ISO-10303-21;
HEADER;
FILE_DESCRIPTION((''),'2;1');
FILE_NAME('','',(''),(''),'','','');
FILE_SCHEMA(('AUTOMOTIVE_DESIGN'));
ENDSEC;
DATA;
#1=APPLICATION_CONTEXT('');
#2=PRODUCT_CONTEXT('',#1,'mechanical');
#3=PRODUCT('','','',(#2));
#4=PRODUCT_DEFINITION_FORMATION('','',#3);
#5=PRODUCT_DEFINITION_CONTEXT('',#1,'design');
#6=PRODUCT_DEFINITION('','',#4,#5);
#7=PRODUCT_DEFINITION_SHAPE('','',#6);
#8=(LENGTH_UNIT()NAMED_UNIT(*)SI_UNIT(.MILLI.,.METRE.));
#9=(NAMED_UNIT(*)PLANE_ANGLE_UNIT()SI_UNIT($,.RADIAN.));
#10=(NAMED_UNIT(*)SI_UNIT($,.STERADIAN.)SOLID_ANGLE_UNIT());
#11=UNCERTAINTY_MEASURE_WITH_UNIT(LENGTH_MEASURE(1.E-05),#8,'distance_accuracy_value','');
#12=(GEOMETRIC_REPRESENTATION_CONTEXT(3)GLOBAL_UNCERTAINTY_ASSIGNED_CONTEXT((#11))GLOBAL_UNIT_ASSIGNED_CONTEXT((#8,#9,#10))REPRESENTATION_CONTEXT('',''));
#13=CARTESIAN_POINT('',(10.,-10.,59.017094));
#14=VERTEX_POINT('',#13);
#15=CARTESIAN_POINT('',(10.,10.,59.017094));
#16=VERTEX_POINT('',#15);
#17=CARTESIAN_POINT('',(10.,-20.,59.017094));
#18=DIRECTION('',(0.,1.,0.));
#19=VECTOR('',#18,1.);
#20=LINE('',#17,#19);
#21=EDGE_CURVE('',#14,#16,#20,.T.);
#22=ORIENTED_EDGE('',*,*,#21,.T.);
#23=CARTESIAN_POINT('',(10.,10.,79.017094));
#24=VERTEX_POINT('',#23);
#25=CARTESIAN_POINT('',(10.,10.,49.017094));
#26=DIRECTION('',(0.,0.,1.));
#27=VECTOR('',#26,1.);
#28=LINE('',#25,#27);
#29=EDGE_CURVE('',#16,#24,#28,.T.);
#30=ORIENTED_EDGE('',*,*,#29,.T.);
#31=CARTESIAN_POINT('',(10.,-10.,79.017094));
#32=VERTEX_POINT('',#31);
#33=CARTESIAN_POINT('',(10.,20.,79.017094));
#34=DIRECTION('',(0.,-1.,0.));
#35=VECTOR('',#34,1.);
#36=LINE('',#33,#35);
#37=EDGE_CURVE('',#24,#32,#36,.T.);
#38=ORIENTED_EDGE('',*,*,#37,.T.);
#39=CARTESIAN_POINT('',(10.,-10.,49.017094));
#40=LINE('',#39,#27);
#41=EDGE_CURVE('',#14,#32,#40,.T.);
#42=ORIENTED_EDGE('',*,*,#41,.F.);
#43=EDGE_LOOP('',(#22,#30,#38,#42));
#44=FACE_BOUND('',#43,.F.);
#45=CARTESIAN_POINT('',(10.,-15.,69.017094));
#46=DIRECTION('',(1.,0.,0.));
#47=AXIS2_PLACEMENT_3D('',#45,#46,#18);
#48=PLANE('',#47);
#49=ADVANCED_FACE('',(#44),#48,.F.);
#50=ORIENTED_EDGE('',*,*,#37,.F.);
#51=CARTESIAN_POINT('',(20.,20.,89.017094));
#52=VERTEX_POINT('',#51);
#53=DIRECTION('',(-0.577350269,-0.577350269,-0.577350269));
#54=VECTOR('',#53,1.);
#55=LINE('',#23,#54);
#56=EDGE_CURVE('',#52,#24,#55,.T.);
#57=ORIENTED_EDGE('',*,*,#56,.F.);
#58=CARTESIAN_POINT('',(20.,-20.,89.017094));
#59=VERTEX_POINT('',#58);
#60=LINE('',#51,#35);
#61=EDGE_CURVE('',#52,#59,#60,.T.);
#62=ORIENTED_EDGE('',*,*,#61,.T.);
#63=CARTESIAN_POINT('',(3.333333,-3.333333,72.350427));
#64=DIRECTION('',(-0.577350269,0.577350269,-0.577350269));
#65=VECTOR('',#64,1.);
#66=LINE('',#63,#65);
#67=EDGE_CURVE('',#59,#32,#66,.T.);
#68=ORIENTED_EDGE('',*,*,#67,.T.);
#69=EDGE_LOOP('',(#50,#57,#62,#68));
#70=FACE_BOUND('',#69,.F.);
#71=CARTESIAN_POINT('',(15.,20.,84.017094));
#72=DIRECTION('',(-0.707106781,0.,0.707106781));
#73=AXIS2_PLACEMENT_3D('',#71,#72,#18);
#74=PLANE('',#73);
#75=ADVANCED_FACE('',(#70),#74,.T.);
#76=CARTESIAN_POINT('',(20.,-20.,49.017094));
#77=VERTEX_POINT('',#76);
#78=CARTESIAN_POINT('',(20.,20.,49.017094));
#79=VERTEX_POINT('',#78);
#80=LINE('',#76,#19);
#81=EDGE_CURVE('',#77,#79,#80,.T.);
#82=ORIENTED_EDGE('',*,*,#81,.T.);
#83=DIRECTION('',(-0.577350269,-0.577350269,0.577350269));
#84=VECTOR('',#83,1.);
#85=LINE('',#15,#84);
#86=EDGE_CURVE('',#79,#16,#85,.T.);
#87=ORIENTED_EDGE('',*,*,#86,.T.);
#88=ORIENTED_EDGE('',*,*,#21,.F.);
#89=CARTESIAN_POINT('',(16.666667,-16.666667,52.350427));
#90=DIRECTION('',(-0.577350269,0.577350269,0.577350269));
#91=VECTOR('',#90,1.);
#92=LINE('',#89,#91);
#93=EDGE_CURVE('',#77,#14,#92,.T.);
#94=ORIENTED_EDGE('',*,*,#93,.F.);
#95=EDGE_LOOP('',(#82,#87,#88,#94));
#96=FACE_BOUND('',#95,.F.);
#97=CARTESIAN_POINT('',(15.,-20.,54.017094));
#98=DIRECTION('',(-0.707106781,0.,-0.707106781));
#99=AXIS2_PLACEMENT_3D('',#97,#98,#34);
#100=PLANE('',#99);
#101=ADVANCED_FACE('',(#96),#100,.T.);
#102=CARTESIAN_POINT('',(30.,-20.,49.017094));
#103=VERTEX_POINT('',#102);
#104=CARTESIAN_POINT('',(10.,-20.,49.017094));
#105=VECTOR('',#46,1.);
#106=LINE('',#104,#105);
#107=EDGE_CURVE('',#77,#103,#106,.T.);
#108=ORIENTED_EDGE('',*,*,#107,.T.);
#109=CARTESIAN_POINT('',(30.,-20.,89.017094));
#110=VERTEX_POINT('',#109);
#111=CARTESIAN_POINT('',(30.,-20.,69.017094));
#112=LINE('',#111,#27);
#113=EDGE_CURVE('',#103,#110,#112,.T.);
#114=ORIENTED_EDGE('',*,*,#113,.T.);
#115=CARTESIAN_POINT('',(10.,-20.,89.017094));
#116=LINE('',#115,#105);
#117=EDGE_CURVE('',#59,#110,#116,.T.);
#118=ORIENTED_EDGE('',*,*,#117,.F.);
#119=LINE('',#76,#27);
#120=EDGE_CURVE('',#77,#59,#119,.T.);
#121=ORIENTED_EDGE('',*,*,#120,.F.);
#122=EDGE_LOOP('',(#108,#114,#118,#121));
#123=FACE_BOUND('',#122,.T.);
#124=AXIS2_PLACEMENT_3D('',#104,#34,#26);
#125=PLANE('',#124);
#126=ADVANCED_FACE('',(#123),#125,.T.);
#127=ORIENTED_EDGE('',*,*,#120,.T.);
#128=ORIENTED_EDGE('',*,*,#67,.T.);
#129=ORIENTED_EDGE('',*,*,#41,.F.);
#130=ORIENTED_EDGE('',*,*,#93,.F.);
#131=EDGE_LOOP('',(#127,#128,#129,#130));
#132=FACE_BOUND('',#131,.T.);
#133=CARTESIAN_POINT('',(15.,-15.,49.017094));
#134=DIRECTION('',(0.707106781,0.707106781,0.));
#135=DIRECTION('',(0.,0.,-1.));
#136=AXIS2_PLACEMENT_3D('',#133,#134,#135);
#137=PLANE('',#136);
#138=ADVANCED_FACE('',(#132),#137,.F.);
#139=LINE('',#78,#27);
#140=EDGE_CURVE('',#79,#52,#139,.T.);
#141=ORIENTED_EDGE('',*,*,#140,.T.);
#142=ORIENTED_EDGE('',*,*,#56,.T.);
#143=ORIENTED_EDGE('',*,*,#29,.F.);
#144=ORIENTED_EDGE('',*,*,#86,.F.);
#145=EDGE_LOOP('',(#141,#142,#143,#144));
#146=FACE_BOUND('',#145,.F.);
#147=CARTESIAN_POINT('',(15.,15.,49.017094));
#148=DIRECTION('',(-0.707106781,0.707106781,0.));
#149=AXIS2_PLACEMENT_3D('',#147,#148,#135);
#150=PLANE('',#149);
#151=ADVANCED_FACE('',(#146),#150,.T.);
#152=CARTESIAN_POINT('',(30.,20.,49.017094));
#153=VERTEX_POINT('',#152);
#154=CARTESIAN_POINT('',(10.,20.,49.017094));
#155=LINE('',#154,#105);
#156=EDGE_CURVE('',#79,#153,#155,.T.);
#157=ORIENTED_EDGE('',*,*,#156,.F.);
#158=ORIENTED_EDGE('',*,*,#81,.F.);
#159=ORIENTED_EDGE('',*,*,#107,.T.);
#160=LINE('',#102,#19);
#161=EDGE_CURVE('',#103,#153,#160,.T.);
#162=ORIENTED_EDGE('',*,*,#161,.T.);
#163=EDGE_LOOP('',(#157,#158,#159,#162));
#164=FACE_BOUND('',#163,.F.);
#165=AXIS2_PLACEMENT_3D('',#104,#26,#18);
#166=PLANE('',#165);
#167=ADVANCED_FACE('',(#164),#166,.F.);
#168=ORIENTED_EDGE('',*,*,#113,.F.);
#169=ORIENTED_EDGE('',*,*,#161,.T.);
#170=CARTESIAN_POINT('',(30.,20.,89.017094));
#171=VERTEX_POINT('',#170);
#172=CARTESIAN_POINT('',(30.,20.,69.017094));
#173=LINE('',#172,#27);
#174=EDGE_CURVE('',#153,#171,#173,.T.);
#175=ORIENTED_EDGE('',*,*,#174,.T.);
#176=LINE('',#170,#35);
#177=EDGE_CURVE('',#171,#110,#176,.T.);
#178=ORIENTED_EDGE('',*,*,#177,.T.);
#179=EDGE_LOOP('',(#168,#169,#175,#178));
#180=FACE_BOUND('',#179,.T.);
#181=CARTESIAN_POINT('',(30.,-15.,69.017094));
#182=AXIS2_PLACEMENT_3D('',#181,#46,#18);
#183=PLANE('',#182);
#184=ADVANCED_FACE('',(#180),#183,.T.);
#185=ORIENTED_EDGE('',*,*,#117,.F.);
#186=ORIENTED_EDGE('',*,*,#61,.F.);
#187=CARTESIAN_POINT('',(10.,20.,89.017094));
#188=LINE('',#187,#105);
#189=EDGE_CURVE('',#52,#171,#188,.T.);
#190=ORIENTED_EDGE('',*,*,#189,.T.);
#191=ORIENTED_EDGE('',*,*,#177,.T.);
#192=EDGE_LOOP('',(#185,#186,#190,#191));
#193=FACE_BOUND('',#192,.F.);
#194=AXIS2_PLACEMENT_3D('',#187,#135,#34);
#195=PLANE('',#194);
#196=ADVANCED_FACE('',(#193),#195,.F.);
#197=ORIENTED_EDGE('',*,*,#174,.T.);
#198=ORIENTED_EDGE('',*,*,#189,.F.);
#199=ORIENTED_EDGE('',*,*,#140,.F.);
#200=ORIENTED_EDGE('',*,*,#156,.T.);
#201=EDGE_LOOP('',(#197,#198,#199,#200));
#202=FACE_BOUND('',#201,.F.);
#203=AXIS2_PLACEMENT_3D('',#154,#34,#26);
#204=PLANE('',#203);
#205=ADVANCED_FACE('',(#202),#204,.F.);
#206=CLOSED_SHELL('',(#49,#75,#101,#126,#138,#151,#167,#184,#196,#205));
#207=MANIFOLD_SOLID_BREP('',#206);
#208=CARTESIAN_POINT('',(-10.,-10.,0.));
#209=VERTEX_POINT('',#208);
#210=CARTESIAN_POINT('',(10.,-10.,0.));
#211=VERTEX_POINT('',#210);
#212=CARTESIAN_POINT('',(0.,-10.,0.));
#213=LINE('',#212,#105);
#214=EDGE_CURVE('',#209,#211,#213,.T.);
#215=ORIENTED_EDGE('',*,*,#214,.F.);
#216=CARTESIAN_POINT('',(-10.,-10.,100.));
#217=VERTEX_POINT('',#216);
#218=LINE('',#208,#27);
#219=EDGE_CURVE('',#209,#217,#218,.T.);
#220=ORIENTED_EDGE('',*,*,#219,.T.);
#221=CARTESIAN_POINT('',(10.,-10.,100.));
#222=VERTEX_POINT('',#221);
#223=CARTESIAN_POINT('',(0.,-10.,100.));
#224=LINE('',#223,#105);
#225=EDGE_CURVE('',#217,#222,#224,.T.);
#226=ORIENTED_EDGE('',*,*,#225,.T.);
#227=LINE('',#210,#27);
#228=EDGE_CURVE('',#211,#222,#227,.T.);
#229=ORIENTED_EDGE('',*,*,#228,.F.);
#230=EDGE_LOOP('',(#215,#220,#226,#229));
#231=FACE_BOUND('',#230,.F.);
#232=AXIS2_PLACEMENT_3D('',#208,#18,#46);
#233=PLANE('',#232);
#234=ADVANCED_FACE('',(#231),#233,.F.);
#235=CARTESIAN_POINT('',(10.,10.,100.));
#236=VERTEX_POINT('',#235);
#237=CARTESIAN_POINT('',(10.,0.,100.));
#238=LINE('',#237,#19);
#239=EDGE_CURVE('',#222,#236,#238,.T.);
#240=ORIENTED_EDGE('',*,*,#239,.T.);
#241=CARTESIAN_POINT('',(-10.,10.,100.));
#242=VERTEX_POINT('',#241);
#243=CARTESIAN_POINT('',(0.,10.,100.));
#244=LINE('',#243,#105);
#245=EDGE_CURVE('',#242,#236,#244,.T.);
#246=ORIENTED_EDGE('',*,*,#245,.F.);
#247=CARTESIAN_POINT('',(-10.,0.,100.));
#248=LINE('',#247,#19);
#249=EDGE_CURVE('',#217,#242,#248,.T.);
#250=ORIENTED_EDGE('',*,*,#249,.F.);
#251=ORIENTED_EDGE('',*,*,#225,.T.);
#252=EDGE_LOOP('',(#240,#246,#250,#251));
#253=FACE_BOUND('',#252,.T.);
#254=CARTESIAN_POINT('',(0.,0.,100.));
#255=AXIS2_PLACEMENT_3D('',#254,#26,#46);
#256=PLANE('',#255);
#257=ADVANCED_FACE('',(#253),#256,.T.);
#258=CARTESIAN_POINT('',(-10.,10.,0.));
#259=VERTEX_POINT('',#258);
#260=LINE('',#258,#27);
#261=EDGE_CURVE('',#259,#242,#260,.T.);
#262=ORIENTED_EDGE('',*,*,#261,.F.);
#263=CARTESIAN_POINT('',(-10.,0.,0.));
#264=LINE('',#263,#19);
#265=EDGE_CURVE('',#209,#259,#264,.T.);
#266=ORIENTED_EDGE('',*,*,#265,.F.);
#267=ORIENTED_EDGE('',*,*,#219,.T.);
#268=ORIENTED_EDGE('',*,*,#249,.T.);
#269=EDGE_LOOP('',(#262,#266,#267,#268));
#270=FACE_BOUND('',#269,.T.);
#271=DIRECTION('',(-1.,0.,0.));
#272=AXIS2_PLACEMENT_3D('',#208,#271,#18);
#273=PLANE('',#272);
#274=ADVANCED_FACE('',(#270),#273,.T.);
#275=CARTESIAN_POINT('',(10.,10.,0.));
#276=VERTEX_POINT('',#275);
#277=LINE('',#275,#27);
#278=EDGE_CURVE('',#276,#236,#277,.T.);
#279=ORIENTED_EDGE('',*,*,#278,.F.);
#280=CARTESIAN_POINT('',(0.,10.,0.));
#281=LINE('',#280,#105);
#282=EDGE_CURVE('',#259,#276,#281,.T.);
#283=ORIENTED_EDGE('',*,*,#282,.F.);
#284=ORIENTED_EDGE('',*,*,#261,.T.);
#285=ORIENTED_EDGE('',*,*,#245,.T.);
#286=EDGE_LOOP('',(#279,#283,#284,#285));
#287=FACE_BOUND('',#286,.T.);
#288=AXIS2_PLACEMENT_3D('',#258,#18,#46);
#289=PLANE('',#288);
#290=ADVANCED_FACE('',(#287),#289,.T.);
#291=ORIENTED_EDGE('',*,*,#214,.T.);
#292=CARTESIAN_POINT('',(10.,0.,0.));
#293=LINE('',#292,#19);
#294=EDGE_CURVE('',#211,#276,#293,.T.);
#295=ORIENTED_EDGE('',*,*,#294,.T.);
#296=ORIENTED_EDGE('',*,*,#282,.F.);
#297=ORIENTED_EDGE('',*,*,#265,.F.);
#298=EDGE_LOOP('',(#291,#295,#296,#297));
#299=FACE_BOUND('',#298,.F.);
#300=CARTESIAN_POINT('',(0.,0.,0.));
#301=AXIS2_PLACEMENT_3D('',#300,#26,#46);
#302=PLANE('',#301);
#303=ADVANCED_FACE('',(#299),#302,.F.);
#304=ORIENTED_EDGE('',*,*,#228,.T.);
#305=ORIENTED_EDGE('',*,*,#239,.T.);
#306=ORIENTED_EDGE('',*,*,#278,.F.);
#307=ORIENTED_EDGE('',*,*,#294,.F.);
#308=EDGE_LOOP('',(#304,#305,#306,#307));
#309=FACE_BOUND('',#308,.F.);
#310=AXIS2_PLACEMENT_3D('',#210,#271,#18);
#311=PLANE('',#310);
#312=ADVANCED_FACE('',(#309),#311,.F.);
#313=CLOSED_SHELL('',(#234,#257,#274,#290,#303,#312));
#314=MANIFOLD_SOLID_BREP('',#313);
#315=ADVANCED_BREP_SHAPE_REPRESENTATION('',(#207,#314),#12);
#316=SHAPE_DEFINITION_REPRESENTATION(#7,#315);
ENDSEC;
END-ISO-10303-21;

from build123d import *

# Parameters (mm, degrees)
F0_W     = 20
F0_H     = 20
F1_DEPTH = 100
F2_W     = 10
F2_H     = 40
F2_W_2   = 20
F3_DEPTH = 20
F4_SIZE  = 10


with BuildPart() as f1:
    # F0 (on Top) → F1 (new body)
    with BuildSketch(Plane.XY):
        Rectangle(F0_W, F0_H)
    extrude(amount=F1_DEPTH)


with BuildPart() as f3:
    # F2 (on face) → F3 (new body)
    with BuildSketch(Plane.YZ.offset(10)):
        with Locations((-15, 69.0170936286)):
            Rectangle(F2_W, F2_H)
        with Locations((0, 69.0170936286)):
            Rectangle(F2_W_2, F2_H)
        with Locations((15, 69.0170936286)):
            Rectangle(F2_W, F2_H)
    extrude(amount=F3_DEPTH)

    # F4
    f4_edges = [f3.edges().sort_by_distance(p)[0] for p in [
        (10, 0, 89.017094),
        (10, -20, 69.017094),
        (10, 0, 49.017094),
        (10, 20, 69.017094),
    ]]
    chamfer(f4_edges, length=F4_SIZE)


solid = Compound([f1.part, f3.part])
